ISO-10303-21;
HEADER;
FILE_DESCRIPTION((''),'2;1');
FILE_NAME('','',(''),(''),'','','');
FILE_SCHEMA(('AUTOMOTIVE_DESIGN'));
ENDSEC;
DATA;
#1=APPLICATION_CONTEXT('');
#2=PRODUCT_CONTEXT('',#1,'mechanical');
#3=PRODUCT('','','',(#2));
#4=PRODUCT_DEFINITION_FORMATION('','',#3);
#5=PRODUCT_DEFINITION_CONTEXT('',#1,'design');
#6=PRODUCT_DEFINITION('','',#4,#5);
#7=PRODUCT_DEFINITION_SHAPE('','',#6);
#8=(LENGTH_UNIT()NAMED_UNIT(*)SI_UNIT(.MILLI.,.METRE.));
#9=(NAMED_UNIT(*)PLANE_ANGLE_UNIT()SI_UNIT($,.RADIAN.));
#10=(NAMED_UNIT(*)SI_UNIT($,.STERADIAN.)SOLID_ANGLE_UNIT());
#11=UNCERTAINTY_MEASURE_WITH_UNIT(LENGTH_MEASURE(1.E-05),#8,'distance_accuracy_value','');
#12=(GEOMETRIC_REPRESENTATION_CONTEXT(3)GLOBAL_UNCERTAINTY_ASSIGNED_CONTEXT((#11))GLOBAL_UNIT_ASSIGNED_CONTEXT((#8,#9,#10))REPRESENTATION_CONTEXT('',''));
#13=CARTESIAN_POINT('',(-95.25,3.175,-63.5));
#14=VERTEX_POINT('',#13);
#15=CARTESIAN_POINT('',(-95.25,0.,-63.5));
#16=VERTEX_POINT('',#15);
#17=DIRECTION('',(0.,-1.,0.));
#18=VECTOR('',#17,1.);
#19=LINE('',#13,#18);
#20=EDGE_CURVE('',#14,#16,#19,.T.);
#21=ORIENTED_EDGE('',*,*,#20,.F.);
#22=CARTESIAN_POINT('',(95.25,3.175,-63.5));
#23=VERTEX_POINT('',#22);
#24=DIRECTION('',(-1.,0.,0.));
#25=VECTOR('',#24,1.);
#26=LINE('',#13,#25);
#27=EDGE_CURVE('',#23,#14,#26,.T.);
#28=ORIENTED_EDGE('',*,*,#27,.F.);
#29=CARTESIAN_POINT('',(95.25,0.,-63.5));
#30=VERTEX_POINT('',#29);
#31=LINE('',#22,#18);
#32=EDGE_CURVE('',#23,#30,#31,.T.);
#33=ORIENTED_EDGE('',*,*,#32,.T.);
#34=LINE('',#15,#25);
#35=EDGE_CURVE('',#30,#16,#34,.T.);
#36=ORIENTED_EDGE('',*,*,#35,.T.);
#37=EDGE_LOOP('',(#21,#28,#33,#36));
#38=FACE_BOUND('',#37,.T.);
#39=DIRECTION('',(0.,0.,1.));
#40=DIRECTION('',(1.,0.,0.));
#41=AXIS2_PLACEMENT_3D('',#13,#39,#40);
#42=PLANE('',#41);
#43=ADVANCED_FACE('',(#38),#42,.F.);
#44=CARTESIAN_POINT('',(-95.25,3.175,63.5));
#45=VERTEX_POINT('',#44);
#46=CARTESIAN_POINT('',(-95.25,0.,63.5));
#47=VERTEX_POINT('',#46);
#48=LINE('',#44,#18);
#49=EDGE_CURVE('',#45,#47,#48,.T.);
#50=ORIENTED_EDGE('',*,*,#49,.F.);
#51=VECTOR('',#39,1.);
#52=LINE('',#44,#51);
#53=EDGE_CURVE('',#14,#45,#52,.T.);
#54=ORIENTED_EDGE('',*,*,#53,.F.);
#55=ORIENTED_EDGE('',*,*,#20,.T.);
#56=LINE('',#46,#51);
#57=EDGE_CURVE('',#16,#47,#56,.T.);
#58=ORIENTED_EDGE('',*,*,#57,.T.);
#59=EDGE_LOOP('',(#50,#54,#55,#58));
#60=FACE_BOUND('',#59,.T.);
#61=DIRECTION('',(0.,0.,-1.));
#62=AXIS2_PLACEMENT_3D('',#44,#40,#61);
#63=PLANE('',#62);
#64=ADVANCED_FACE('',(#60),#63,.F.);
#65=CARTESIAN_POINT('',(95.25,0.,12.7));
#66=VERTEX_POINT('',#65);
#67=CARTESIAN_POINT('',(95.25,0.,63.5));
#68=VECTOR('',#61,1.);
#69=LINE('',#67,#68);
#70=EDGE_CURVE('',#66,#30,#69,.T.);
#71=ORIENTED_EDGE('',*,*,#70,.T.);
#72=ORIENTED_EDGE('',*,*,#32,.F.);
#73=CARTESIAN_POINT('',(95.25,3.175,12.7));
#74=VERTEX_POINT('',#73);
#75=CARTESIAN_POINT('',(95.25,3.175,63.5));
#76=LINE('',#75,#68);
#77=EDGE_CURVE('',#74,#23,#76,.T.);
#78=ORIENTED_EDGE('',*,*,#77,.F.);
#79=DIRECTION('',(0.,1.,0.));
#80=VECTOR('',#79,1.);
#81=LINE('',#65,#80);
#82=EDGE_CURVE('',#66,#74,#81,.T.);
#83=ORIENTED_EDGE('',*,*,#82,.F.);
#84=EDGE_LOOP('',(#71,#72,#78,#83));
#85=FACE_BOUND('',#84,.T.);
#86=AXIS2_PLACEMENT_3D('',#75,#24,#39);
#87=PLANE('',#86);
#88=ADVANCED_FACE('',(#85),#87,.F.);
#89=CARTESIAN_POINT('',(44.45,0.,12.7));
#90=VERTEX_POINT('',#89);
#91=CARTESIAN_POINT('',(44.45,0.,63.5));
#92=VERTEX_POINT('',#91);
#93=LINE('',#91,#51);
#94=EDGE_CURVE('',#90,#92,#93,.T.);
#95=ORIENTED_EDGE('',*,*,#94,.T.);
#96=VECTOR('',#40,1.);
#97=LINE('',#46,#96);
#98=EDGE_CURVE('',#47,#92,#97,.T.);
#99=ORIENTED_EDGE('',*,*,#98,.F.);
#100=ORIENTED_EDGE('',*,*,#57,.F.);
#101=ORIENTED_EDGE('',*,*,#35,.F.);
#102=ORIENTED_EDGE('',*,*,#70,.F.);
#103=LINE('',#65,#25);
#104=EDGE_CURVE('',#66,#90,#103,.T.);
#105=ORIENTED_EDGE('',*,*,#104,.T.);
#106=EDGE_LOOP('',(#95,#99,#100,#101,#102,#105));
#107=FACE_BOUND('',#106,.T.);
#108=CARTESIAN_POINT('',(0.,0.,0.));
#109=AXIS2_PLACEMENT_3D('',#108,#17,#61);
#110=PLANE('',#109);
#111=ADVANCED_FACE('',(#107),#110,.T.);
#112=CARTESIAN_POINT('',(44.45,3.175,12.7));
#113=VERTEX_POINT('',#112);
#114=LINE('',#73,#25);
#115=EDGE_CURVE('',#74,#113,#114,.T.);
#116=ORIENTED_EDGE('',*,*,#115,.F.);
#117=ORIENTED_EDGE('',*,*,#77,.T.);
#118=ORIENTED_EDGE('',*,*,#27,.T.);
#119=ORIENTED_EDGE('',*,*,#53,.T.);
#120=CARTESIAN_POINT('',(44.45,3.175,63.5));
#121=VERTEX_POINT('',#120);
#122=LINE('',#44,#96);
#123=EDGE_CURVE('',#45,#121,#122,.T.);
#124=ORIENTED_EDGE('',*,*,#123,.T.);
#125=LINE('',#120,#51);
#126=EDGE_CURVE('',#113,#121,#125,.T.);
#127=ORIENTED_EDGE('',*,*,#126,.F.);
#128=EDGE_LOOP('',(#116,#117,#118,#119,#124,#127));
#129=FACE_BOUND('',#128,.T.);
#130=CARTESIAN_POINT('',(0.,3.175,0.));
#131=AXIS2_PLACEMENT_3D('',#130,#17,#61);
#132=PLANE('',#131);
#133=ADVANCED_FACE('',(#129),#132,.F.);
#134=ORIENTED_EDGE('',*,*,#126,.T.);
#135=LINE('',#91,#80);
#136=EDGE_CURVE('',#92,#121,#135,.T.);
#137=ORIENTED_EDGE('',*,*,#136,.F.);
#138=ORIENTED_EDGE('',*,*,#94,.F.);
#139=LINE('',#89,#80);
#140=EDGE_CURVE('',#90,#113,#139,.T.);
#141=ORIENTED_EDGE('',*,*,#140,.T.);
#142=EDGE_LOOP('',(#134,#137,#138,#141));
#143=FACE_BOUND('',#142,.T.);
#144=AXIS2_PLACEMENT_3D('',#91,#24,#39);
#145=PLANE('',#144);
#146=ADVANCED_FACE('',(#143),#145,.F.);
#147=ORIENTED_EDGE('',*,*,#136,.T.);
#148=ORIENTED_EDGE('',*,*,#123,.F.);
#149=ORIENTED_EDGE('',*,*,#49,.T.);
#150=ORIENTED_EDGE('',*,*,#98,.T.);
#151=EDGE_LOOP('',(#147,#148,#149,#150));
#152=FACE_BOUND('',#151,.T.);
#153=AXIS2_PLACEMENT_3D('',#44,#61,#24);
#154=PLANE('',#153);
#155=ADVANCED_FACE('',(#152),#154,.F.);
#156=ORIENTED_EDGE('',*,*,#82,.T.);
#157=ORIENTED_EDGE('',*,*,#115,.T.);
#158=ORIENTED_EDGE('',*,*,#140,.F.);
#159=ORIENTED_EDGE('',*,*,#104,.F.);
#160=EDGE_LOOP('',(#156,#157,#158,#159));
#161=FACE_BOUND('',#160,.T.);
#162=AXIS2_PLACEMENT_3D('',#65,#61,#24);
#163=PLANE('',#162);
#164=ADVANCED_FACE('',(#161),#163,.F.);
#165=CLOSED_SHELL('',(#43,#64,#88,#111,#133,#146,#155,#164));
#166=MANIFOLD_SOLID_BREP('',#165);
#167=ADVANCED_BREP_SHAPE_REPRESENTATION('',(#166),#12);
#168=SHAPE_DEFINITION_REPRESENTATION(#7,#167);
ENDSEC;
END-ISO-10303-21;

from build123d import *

# Parameters (mm, degrees)
SKETCH2_W           = 190.5
SKETCH2_H           = 127
BOSS_EXTRUDE1_DEPTH = 3.175
SKETCH3_W           = 50.8
SKETCH3_H           = 50.8
CUT_EXTRUDE1_DEPTH  = 115.52027386


with BuildPart() as part:
    # Sketch2 → Boss-Extrude1 (new body)
    with BuildSketch(Plane(origin=(0, 0, 0), x_dir=(1, 0, 0), z_dir=(0, 1, 0))):
        Rectangle(SKETCH2_W, SKETCH2_H)
    extrude(amount=BOSS_EXTRUDE1_DEPTH)

    # Sketch3 → Cut-Extrude1 (cut, through all)
    with BuildSketch(Plane(origin=(0, 3.175, 0), x_dir=(1, 0, 0), z_dir=(0, 1, 0))):
        with Locations((69.85, -38.1)):
            Rectangle(SKETCH3_W, SKETCH3_H)
    extrude(amount=-CUT_EXTRUDE1_DEPTH, mode=Mode.SUBTRACT)


solid = part.part
